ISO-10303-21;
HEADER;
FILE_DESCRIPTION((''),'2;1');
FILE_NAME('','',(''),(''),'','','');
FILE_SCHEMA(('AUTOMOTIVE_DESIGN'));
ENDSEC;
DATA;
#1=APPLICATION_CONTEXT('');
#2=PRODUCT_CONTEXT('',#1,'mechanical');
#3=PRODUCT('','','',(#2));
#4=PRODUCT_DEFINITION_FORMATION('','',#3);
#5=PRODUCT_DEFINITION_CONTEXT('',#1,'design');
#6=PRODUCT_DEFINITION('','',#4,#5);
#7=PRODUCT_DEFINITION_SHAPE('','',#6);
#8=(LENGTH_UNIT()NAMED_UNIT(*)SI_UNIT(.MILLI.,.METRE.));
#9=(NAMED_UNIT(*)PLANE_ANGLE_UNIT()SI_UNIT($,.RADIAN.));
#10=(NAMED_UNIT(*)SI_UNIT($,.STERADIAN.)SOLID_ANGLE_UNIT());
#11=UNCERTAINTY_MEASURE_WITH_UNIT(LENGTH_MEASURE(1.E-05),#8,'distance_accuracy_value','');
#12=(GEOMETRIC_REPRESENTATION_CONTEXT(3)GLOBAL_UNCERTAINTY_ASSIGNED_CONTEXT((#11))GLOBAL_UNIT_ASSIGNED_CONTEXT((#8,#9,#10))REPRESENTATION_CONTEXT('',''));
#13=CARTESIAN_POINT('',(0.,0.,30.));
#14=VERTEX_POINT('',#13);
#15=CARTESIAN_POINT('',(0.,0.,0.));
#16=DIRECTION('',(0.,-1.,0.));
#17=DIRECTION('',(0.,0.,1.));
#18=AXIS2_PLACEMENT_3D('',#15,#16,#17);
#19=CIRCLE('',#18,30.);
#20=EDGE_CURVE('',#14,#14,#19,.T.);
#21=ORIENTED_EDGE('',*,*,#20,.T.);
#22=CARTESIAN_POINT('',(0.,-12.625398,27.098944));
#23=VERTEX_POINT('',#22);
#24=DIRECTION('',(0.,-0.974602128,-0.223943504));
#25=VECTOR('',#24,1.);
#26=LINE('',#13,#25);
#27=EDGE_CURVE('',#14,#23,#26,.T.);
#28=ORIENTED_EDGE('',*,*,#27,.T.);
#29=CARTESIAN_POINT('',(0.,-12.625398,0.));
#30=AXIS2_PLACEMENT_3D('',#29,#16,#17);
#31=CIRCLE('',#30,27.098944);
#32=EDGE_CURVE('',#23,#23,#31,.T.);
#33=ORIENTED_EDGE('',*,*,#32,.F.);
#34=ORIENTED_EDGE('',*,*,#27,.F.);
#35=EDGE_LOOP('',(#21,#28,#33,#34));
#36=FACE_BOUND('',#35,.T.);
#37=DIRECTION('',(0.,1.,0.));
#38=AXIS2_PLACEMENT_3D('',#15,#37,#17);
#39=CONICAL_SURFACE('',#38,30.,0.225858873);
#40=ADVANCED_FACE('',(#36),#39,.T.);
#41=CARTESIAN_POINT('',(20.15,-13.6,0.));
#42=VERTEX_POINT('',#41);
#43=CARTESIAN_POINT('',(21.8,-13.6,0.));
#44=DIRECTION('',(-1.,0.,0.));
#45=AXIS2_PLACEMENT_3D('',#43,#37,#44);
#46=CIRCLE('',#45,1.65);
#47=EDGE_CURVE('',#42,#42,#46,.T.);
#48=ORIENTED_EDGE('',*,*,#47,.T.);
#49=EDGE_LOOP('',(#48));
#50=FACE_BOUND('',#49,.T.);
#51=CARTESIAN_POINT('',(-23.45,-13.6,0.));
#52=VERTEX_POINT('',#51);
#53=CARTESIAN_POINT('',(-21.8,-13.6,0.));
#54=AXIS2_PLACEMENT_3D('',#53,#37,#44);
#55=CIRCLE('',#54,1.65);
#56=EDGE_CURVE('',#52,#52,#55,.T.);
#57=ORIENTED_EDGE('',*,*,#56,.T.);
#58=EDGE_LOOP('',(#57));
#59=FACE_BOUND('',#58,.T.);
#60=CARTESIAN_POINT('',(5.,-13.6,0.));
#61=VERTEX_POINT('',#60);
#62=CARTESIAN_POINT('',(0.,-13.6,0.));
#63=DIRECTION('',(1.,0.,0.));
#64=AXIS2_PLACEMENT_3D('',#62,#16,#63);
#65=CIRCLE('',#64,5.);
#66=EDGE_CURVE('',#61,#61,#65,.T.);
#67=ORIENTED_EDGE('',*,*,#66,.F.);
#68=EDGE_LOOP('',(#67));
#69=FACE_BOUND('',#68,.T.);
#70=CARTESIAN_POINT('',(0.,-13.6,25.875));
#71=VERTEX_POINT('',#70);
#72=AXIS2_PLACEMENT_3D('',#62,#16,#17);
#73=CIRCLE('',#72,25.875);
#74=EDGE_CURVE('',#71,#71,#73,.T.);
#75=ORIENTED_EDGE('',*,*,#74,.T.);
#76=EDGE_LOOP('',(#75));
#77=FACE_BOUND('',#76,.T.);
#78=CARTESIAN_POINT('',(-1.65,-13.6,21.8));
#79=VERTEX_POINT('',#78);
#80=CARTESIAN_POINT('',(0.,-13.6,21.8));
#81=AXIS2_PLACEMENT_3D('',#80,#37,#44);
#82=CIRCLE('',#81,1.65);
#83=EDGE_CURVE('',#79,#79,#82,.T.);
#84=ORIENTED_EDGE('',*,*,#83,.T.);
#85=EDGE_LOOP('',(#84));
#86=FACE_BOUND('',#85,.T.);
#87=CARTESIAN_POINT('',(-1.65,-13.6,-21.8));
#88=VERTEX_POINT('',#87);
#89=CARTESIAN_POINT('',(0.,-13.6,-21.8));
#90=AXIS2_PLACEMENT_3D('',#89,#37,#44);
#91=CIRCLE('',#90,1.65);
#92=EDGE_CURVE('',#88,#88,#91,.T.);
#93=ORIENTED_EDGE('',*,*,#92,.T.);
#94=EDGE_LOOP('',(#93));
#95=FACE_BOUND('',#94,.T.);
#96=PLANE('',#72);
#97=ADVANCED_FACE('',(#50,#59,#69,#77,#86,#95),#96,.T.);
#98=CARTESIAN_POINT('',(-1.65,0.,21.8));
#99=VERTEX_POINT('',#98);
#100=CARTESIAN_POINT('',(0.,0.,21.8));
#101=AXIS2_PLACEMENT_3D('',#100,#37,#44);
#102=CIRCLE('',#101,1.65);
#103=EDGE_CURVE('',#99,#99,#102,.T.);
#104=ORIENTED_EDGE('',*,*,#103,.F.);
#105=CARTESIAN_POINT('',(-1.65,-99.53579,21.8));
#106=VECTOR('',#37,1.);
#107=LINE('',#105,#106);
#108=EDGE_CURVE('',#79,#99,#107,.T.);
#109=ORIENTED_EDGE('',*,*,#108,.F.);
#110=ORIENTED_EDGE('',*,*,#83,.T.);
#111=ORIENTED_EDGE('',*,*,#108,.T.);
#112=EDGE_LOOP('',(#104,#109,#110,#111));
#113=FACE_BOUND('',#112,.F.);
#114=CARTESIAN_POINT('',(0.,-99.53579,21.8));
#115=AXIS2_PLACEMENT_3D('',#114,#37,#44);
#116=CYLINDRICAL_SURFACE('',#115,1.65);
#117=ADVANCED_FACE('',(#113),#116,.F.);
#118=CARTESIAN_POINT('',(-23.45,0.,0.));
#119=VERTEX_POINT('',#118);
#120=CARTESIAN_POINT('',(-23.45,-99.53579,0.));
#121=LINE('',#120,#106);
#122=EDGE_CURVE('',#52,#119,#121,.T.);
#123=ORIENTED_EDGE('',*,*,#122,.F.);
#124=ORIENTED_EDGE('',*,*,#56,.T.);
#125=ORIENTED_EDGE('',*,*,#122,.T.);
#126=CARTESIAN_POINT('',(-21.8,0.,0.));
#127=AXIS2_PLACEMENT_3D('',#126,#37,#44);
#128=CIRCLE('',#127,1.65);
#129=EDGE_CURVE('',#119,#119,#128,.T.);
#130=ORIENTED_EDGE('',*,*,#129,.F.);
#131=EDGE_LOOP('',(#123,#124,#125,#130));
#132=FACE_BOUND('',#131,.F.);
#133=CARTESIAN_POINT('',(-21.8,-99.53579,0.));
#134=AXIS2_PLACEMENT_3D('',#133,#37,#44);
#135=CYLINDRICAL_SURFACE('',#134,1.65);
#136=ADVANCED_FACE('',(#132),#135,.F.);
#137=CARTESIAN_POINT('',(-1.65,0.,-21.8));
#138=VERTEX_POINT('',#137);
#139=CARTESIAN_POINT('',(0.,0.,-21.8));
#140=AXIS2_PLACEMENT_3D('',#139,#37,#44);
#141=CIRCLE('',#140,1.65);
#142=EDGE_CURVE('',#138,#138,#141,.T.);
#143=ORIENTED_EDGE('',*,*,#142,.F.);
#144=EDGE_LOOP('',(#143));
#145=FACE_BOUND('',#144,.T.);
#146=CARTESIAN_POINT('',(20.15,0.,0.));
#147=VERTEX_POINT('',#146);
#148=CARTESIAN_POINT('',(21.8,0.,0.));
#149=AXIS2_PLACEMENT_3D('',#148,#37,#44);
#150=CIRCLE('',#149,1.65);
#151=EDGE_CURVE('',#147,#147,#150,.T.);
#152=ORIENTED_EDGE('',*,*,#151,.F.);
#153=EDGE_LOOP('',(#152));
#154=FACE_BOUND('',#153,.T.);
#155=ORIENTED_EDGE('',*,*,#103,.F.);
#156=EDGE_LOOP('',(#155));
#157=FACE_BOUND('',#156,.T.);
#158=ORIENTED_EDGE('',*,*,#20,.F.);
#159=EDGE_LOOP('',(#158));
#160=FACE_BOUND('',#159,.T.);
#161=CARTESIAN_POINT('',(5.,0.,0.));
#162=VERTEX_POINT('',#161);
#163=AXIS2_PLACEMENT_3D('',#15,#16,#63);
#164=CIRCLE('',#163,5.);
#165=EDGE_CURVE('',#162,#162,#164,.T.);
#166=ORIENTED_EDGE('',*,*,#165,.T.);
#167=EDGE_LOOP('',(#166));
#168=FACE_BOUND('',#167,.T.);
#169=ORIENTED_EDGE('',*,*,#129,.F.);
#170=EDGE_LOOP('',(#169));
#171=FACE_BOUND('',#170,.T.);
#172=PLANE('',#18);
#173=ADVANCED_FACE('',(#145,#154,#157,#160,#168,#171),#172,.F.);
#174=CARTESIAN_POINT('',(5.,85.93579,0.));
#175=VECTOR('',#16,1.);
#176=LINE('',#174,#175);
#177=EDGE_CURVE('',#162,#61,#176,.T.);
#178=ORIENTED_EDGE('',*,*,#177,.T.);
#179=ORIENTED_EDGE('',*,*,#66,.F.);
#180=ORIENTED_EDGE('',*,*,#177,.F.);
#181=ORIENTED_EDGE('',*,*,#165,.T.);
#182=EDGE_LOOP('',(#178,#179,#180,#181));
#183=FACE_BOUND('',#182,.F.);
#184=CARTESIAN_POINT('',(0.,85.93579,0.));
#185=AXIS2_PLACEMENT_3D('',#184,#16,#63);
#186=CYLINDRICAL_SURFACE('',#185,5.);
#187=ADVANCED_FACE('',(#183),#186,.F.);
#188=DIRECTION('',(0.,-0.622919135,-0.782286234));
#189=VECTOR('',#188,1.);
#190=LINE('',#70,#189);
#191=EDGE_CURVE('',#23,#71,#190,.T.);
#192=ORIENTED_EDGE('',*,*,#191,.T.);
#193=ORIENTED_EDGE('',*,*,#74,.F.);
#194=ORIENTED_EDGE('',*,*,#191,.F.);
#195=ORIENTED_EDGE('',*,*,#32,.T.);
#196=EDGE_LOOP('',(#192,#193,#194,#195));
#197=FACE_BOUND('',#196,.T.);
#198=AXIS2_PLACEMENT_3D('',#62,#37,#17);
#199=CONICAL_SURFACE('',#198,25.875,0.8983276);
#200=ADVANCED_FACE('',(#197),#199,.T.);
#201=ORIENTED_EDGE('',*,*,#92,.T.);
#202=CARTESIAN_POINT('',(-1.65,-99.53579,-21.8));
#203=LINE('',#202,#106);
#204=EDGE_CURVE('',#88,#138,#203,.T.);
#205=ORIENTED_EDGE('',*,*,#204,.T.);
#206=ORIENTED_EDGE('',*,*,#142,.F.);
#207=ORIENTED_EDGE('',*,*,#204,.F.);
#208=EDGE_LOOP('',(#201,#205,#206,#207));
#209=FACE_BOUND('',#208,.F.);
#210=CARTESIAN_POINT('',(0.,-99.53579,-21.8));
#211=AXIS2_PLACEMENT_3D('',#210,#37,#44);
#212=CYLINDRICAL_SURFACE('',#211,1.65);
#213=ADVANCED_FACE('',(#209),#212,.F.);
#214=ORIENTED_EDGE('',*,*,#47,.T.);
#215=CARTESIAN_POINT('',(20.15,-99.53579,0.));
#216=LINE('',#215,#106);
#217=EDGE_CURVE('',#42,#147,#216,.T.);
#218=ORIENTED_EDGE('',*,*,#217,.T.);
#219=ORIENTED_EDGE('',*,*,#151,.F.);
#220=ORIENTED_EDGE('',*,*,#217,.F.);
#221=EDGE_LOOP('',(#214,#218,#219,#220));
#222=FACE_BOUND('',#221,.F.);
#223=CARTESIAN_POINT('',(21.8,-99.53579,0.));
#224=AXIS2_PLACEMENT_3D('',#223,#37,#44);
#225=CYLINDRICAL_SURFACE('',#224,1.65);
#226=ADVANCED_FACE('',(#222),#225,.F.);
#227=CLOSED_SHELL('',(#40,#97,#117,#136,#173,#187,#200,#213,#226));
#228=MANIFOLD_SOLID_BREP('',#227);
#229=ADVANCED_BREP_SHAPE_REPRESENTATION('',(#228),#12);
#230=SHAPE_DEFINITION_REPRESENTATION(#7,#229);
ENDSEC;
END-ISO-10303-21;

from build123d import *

# Parameters (mm, degrees)
F3_D    = 10
F5_SIZE = 1
F6_D    = 3.3


with BuildPart() as f1:
    # F0 (on Right) → F1 (revolve)
    with BuildSketch(Plane.YZ):
        Polygon((-13.6, 0), (0, 0), (0, 30), (-13.6, 26.875), align=None)
    revolve(axis=Axis((0, -6.8, 0), (0, -1, 0)))

    # F3 (through all)
    with Locations(Plane(origin=(0, 0, 0), x_dir=(-1, 0, 0), z_dir=(0, 1, 0))):
        with Locations((0, 0)):
            Hole(F3_D / 2)

    # F5
    f5_edges = [f1.edges().sort_by_distance(p)[0] for p in [
        (0, -13.6, -26.875),
    ]]
    chamfer(f5_edges, length=F5_SIZE)

    # F6 (through all)
    with Locations(Plane.XZ.offset(13.6)):
        with Locations((0, 21.8), (21.8, 0), (0, -21.8), (-21.8, 0)):
            Hole(F6_D / 2)


solid = f1.part
